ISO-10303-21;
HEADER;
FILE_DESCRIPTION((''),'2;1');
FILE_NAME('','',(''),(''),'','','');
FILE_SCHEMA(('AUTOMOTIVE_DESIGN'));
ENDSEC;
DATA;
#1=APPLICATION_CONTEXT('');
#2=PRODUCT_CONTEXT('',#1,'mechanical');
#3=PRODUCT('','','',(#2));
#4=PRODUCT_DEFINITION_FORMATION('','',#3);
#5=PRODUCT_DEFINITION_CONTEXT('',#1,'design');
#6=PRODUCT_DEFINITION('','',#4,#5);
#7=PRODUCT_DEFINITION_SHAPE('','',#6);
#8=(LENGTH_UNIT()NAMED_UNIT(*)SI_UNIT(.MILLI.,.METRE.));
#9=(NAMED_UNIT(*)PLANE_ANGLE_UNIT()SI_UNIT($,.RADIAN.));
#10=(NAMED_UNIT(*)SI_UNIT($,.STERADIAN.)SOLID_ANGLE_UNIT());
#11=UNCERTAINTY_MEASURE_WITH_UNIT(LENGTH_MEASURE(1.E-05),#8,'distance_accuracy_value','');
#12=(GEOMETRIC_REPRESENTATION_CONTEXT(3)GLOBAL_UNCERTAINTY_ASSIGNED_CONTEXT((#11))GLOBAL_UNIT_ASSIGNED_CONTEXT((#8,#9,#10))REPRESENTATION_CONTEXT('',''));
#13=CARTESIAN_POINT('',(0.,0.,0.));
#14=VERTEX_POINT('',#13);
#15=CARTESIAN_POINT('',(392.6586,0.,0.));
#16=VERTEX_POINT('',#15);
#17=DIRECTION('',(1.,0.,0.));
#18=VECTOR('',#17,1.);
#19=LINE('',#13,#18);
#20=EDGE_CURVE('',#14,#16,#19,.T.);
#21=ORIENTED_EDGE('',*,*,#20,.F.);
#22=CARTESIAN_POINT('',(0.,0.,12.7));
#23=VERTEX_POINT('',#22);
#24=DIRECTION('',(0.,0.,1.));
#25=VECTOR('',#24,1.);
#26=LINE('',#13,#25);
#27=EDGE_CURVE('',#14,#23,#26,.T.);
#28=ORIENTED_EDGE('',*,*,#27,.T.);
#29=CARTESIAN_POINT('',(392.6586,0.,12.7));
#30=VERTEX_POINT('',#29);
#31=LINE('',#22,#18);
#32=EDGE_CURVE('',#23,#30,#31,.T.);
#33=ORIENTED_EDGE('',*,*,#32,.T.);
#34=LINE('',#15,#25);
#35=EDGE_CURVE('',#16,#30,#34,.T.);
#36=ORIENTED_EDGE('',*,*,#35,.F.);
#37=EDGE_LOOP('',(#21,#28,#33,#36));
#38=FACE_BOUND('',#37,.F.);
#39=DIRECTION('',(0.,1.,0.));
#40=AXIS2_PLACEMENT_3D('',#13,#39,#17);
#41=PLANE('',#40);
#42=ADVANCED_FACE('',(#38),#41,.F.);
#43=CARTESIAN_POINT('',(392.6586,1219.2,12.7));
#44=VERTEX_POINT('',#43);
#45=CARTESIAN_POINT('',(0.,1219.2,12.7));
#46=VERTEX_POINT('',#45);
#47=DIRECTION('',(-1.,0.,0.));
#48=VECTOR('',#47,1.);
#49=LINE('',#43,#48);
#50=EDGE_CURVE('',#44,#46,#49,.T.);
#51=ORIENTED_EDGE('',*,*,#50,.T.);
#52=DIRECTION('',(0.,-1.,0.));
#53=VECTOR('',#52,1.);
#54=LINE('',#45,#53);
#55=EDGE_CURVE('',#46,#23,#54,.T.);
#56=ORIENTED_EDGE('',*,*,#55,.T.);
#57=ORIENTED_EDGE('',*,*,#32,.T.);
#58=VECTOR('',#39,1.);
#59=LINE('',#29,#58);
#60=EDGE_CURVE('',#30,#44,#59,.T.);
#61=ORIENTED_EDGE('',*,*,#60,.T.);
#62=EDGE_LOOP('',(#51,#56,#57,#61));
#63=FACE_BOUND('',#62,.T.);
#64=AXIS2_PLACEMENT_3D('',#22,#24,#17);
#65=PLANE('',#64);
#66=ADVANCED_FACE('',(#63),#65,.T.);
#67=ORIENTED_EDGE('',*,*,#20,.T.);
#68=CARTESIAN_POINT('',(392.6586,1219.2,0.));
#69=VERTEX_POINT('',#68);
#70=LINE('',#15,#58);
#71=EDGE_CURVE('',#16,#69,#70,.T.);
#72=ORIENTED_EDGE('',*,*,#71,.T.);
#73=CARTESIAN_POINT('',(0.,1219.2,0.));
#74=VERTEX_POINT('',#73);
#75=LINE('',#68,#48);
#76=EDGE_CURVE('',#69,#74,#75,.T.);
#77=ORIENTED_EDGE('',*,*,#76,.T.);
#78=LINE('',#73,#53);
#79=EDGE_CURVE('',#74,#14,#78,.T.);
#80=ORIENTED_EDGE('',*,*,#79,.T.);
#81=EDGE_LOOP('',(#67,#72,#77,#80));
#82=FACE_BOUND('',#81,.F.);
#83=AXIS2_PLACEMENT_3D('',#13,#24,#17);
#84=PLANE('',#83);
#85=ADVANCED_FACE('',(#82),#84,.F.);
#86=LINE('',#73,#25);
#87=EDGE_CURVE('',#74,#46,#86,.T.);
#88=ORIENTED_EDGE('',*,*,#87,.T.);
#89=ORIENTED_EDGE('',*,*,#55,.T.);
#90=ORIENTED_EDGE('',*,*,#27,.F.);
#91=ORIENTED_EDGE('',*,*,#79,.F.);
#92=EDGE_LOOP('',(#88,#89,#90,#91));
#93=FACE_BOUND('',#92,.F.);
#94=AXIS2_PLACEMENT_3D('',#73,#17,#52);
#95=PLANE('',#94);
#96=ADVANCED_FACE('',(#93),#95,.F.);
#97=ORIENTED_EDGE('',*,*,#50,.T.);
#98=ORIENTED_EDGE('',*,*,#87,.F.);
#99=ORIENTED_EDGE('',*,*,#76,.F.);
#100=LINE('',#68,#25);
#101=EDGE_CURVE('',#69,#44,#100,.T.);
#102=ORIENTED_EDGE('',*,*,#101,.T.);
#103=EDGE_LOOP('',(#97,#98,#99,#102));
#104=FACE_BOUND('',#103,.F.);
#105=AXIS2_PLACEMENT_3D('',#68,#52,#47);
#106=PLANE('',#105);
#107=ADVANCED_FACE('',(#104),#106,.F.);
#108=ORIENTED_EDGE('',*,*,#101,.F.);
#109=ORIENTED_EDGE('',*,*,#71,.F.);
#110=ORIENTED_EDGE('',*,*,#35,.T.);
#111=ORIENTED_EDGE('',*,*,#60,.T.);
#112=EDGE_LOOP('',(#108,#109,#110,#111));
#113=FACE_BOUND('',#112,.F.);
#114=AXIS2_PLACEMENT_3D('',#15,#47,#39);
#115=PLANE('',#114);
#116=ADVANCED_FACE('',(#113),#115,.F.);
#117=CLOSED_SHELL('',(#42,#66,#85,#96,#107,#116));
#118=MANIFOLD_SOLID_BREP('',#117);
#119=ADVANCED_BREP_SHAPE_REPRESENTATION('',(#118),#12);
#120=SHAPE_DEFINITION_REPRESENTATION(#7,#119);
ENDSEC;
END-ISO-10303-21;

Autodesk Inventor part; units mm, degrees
ref_plane "YZ Plane" through (0, 0, 0) normal (1, 0, 0) x (0, 1, 0)
ref_plane "XZ Plane" through (0, 0, 0) normal (0, 1, 0) x (-1, 0, 0)
ref_plane "XY Plane" through (0, 0, 0) normal (0, 0, 1) x (1, 0, 0)
sketch "Sketch1" plane through (0, 0, 0) normal (0, 0, 1) x (1, 0, 0)
  line L0 (0, 0) -> (392.6586, 0)
  line L1 (392.6586, 0) -> (392.6586, 1219.2)
  line L2 (392.6586, 1219.2) -> (0, 1219.2)
  line L3 (0, 1219.2) -> (0, 0)
  dimension "d2" = 1219.2
  dimension "d3" = 392.6586
extrude "Extrusion1" add sketch "Sketch1" along normal blind 12.7
properties part number "OSB_For_Walls_With_Dimensions_20.604_x_48_Inches" material "Wood (Birch)"
